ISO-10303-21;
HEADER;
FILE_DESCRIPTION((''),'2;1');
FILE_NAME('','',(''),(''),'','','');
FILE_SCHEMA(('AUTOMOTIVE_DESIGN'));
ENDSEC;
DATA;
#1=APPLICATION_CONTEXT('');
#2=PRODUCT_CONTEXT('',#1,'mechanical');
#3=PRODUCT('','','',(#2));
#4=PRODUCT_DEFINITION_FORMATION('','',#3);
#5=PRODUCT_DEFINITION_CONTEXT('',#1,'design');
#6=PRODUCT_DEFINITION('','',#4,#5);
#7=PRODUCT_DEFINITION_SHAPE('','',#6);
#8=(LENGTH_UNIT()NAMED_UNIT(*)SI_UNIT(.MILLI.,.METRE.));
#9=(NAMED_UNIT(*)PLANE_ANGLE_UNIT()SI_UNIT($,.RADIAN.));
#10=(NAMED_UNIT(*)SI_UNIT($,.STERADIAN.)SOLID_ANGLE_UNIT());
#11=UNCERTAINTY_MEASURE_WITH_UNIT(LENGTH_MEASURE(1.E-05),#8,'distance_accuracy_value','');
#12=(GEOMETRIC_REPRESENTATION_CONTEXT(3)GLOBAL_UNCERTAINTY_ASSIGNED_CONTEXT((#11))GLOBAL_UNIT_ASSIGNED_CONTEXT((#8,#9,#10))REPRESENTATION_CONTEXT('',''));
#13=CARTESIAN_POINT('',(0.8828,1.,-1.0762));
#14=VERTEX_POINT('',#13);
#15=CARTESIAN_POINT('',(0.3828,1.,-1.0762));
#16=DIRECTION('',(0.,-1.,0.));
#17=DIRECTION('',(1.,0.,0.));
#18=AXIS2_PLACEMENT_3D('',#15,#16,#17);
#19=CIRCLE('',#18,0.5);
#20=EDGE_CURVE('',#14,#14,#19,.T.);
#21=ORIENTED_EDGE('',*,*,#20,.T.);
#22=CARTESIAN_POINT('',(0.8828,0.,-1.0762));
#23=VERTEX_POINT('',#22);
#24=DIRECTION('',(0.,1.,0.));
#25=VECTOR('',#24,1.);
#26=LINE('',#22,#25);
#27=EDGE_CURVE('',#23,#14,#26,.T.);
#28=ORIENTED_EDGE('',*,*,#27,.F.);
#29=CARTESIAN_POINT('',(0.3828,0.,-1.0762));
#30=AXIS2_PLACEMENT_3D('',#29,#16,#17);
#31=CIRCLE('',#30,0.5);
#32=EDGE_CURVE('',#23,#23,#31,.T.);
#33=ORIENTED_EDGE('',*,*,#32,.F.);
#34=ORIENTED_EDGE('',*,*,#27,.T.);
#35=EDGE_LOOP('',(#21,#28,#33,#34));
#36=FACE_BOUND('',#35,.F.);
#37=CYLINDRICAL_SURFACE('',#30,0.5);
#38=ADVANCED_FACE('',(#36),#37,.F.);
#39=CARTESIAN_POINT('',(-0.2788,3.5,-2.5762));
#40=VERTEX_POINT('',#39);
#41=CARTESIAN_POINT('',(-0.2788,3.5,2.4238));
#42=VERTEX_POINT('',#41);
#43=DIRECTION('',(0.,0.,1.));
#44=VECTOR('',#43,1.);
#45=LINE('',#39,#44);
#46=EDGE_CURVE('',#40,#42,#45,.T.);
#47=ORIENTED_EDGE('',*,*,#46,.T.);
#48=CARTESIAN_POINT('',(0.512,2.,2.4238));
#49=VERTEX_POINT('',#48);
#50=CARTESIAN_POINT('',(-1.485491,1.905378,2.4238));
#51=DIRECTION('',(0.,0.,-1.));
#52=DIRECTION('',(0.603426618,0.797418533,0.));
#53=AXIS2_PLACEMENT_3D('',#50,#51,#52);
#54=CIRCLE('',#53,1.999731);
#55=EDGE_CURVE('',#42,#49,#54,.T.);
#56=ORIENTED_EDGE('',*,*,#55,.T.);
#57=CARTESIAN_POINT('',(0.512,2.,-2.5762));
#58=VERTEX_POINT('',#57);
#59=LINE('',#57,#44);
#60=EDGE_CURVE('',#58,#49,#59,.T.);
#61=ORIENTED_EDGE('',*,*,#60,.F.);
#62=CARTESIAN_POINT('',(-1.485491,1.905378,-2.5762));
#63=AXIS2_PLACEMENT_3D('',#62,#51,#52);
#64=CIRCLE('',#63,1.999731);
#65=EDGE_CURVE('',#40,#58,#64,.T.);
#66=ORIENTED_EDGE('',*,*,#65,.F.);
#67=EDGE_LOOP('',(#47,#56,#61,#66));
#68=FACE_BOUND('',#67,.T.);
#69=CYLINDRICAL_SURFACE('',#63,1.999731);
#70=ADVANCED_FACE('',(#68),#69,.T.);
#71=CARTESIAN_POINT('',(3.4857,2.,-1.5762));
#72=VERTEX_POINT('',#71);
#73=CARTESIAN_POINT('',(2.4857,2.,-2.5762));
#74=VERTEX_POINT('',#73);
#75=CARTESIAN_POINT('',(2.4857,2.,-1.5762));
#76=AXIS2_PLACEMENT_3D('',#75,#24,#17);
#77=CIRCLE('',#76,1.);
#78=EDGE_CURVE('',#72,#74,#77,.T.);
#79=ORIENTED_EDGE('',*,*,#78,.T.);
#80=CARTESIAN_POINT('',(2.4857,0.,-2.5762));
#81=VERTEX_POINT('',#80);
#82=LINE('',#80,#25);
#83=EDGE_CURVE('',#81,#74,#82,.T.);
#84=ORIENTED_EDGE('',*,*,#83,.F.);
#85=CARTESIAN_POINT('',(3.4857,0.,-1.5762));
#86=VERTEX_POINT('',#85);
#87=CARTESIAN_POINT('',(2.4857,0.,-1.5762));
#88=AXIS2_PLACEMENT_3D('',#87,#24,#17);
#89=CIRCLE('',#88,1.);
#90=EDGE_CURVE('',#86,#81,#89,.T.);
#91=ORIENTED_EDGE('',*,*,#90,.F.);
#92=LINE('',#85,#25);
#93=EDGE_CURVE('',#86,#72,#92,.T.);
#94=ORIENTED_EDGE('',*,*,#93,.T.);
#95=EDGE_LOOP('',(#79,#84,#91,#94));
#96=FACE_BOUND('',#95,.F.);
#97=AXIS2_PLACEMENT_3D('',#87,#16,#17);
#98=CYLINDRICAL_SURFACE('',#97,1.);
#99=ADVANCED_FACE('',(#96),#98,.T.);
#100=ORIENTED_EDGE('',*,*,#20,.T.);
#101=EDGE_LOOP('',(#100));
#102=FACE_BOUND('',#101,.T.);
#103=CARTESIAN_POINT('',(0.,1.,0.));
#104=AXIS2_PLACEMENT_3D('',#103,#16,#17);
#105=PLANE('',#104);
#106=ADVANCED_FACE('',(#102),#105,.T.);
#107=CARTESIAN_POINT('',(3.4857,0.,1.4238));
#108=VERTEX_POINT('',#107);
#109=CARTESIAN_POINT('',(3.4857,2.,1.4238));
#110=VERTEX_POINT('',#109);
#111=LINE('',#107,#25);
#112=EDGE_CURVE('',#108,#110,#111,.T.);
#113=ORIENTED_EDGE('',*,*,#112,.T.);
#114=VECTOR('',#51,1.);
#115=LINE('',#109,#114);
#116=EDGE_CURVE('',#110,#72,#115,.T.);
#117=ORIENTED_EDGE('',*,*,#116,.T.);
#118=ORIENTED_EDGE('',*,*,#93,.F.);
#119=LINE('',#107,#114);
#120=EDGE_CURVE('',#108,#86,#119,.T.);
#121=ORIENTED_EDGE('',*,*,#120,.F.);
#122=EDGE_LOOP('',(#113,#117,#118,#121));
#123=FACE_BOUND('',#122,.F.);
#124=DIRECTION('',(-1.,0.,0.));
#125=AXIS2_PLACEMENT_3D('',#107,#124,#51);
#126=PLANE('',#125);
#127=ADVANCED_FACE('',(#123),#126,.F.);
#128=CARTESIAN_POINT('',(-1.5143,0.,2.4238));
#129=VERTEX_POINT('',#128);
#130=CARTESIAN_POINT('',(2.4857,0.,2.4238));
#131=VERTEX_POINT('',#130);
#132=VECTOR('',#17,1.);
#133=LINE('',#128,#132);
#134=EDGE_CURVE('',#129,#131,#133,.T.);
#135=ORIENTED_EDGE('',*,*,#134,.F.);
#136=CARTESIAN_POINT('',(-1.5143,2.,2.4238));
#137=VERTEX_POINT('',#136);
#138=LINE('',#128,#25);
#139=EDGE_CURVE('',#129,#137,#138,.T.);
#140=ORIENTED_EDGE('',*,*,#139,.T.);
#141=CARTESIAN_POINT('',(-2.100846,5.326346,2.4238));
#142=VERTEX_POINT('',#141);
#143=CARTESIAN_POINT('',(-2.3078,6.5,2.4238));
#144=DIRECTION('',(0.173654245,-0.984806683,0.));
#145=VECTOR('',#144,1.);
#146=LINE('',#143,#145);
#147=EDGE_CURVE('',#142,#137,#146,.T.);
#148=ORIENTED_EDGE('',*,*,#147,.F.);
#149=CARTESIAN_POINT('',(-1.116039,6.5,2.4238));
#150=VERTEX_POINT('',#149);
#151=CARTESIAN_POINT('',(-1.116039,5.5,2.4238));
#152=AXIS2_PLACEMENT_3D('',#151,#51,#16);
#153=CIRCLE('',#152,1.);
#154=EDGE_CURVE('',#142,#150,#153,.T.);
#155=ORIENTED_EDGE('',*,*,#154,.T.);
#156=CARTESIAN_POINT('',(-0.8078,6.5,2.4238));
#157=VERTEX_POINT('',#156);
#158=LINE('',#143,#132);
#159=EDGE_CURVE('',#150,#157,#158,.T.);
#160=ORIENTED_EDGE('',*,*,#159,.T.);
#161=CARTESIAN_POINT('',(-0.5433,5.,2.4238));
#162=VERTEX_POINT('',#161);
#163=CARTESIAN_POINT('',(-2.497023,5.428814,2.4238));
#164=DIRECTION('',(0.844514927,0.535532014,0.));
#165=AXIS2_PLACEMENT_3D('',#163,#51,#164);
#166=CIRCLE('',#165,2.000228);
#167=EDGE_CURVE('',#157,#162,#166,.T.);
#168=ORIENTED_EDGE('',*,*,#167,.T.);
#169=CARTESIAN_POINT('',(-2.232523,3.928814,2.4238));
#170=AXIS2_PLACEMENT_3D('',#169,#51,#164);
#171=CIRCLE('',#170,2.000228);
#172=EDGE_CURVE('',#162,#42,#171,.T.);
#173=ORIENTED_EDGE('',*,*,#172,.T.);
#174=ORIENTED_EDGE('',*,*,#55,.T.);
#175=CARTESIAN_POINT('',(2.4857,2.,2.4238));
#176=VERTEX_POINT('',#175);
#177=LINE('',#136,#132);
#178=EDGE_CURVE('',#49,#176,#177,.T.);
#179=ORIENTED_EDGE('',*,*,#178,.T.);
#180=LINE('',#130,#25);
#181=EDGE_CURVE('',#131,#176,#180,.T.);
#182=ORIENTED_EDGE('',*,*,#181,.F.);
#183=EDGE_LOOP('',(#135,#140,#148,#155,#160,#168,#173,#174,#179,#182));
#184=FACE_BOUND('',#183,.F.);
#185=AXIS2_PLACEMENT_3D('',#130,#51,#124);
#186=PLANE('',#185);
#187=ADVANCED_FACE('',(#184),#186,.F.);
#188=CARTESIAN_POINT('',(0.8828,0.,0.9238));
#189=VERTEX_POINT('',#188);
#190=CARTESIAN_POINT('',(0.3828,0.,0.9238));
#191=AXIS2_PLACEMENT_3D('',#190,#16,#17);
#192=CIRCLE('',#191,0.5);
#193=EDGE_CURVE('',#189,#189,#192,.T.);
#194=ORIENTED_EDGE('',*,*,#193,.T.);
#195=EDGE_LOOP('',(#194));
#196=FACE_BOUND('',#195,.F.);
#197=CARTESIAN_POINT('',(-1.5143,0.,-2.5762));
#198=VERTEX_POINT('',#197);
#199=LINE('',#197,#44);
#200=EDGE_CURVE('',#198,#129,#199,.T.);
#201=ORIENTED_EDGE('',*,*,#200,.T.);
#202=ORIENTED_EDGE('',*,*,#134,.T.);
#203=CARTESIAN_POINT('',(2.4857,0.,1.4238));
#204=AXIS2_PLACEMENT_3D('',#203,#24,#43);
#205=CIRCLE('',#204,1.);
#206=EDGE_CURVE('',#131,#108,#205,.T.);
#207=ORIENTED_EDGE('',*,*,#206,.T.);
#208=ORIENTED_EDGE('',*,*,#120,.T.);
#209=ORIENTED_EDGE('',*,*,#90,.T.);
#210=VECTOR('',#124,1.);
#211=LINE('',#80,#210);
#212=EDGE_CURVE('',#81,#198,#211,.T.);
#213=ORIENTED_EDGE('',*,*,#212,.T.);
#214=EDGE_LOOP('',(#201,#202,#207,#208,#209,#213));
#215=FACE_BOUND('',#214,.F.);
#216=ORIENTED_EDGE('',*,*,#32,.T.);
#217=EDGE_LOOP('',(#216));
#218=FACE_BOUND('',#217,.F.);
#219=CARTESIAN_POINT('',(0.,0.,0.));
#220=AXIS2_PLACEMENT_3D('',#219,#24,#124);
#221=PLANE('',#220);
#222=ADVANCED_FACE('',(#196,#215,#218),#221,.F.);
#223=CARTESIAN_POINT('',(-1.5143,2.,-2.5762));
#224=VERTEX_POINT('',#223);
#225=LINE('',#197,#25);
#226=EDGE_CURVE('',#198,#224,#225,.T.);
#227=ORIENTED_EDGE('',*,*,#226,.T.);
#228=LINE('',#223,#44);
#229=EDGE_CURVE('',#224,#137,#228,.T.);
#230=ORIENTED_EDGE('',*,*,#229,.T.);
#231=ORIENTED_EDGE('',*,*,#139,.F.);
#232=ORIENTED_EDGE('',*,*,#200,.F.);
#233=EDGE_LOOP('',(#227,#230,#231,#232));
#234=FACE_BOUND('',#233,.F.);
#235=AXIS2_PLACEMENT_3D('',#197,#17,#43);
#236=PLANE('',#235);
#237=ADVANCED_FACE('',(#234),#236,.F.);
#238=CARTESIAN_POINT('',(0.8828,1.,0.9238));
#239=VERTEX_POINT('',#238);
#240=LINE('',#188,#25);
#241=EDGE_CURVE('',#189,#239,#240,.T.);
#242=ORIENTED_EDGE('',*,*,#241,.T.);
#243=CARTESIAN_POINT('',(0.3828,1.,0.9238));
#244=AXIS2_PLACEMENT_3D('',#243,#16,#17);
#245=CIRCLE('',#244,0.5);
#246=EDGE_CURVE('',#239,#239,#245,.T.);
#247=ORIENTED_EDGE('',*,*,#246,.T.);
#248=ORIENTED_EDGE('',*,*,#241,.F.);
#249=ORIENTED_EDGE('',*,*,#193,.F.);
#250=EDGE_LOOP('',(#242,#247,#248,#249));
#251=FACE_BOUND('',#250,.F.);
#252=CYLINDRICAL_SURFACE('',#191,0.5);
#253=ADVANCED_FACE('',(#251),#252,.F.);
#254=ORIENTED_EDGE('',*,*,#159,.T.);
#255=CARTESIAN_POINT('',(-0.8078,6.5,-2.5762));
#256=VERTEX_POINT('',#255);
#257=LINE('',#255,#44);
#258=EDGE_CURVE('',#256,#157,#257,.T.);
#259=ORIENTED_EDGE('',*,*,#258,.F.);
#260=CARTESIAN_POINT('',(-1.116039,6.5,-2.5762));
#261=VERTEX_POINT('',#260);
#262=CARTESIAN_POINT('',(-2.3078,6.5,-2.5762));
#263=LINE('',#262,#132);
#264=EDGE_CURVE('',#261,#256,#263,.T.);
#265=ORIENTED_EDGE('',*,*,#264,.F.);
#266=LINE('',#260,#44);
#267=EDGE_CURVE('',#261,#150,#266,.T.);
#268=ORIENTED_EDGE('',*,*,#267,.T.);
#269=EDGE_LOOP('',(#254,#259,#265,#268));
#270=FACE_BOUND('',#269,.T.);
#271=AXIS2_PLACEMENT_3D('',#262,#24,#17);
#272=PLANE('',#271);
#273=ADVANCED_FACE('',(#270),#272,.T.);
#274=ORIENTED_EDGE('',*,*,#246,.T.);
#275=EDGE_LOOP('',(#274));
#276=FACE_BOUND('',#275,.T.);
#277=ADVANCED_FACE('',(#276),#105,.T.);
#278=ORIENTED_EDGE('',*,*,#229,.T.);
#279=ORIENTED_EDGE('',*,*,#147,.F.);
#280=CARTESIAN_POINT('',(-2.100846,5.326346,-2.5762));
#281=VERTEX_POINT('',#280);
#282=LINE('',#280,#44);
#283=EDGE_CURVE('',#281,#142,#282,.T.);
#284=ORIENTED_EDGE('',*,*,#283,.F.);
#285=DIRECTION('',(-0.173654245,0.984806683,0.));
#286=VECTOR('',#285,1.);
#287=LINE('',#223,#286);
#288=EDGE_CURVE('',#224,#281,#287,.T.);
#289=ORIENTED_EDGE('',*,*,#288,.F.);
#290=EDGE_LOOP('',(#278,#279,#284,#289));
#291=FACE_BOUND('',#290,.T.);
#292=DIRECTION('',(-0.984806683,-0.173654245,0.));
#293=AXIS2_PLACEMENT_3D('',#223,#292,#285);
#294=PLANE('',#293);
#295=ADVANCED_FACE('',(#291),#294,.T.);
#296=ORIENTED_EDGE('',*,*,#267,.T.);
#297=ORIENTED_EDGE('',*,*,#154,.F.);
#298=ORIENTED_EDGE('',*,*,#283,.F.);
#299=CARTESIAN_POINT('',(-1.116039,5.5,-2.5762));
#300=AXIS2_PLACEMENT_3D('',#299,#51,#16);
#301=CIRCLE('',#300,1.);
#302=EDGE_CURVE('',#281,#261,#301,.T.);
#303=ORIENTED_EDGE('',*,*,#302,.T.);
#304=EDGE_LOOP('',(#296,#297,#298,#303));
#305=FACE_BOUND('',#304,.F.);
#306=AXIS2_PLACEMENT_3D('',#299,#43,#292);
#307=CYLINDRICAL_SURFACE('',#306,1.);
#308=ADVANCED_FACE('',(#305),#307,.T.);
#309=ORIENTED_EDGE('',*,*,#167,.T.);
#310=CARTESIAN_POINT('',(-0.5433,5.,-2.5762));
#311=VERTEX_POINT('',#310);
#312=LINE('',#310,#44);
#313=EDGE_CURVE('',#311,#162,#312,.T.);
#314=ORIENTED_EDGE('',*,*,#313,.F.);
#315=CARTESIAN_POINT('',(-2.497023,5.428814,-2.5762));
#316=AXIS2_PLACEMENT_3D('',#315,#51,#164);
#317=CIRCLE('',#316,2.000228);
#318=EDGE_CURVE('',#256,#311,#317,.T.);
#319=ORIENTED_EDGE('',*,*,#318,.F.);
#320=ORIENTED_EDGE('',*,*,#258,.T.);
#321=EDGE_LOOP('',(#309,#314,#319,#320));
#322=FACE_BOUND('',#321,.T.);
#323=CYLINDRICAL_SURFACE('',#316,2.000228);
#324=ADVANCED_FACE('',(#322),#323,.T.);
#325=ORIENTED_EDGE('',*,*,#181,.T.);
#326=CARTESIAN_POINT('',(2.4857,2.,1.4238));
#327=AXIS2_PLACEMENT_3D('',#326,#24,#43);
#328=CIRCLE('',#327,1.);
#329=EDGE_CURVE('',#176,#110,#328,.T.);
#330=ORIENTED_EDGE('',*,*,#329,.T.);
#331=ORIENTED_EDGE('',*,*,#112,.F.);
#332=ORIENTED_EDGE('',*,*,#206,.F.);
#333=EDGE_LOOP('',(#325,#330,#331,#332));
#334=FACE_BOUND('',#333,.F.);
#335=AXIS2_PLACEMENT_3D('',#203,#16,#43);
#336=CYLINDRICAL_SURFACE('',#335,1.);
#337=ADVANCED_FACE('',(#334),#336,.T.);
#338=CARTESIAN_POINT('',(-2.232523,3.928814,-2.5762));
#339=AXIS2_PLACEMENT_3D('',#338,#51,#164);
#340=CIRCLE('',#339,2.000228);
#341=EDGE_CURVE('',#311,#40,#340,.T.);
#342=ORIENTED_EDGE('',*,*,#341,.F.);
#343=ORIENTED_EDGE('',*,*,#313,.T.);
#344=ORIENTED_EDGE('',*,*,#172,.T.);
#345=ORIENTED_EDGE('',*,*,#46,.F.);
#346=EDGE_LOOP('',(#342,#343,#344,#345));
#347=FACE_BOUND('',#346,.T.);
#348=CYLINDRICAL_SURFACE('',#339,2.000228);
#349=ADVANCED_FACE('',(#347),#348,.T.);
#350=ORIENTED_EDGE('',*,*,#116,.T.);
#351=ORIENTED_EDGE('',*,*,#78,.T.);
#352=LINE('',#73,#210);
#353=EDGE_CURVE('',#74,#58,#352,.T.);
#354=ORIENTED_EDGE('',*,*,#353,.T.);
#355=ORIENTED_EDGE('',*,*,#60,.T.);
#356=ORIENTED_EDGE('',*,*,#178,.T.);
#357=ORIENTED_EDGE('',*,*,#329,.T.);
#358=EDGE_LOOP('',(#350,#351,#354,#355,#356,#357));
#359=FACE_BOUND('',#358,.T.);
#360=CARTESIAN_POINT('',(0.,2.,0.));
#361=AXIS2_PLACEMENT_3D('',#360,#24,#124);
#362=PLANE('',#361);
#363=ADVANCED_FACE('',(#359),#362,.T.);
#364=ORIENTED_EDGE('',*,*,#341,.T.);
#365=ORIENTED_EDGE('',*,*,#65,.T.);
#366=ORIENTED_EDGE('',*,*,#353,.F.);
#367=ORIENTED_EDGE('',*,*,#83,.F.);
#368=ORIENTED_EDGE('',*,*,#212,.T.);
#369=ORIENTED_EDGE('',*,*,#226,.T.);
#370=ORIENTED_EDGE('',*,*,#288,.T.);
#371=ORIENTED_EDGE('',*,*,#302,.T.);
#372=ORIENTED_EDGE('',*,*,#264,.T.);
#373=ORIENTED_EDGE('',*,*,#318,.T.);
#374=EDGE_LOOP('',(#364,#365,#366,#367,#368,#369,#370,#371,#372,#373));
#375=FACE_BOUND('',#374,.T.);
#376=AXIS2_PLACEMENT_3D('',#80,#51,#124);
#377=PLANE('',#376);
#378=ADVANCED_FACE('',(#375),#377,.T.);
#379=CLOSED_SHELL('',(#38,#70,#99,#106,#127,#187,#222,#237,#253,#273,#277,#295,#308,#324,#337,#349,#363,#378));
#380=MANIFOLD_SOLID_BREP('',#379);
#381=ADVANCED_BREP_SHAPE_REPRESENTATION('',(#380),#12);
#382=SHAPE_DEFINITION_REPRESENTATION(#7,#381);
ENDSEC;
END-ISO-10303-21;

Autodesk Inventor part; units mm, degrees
ref_plane "YZ Plane" through (0, 0, 0) normal (1, 0, 0) x (0, 1, 0)
ref_plane "XZ Plane" through (0, 0, 0) normal (0, 1, 0) x (-1, 0, 0)
ref_plane "XY Plane" through (0, 0, 0) normal (0, 0, 1) x (1, 0, 0)
sketch "Szkic1" plane through (0, 0, 0) normal (0, 1, 0) x (-1, 0, 0)
  line L0 (-2.4857, -2.5762) -> (1.5143, -2.5762)
  line L1 (1.5143, -2.5762) -> (1.5143, 2.4238)
  line L2 (1.5143, 2.4238) -> (-2.4857, 2.4238)
  line L3 (-3.4857, 1.4238) -> (-3.4857, -1.5762)
  arc A0 (-2.4857, 2.4238) -> (-3.4857, 1.4238) centre (-2.4857, 1.4238) ccw
  arc A1 (-3.4857, -1.5762) -> (-2.4857, -2.5762) centre (-2.4857, -1.5762) ccw
  point P0 (0, 0)
  point P1 (-3.4857, 2.4238)
  dimension "d0" = 5
  dimension "d1" = 5
  dimension "d2" = 1
extrude "Wyciągnięcie proste1" add sketch "Szkic1" along normal blind 2
sketch "Szkic2" plane through (0, 0, 0) normal (0, -1, 0) x (1, 0, 0)
  circle A0 centre (0.3828, -1.0762) radius 0.5
  circle A1 centre (0.3828, 0.9238) radius 0.5
  line L0 (2.4857, -2.5762) -> (-1.5143, -2.5762) projected
  line L1 (-1.5143, 2.4238) -> (2.4857, 2.4238) projected
  point P0 (0, 0)
  dimension "d5" = 1
  dimension "d6" = 1
  dimension "d7" = 2
  dimension "d8" = 1
  dimension "d9" = 1.5
  dimension "d10" = 1.5
extrude "Wyciągnięcie proste2" cut sketch "Szkic2" against normal blind 1
sketch "Szkic3" plane through (2.4857, 0, -2.5762) normal (0, 0, -1) x (-1, 0, 0)
  line L0 (0, 2) -> (4, 2) projected
  line L1 (4, 2) -> (4.2645, 3.5)
  line L2 (4.2645, 3.5) -> (2.7645, 3.5)
  line L3 (1.9737, 2) -> (4, 2)
  arc A0 (2.7645, 3.5) -> (1.9737, 2) centre (3.9714, 1.9052) ccw
  line L4 (4, 2) -> (4.7935, 6.5)
  line L5 (4.529, 5) -> (3.029, 5)
  arc A1 (3.029, 5) -> (2.7645, 3.5) centre (4.718, 3.9289) ccw
  line L6 (4.7935, 6.5) -> (3.2935, 6.5)
  arc A2 (3.2935, 6.5) -> (3.029, 5) centre (4.9825, 5.4289) ccw
  point P0 (2.4857, 0)
  point P1 (2, 2)
  point P2 (1.9737, 2)
  point P3 (3.5145, 3.5)
  dimension "d15" = 100
  dimension "d16" = 1.5
  dimension "d17" = 2
  dimension "d18" = 0
  dimension "d24" = 1.5
  dimension "d28" = 1.5
  dimension "d29" = 100
  dimension "d30" = 1.5
  dimension "d31" = 2
  dimension "d32" = 1.5
  dimension "d33" = 1.5
  dimension "d34" = 2
extrude "Wyciągnięcie proste3" add sketch "Szkic3" against normal blind 5 contours A0 L2 L1 L0
extrude "Wyciągnięcie proste4" add sketch "Szkic3" against normal blind 5 contours A1 L5 L4 L2 | A2 L6 L4 L5
fillet "Zaokrąglenie1" radius 1 1 edges at (-2.3078, 6.5, -0.0762)
properties part number "fotel" material "Tworzywo sztuczne ABS"
